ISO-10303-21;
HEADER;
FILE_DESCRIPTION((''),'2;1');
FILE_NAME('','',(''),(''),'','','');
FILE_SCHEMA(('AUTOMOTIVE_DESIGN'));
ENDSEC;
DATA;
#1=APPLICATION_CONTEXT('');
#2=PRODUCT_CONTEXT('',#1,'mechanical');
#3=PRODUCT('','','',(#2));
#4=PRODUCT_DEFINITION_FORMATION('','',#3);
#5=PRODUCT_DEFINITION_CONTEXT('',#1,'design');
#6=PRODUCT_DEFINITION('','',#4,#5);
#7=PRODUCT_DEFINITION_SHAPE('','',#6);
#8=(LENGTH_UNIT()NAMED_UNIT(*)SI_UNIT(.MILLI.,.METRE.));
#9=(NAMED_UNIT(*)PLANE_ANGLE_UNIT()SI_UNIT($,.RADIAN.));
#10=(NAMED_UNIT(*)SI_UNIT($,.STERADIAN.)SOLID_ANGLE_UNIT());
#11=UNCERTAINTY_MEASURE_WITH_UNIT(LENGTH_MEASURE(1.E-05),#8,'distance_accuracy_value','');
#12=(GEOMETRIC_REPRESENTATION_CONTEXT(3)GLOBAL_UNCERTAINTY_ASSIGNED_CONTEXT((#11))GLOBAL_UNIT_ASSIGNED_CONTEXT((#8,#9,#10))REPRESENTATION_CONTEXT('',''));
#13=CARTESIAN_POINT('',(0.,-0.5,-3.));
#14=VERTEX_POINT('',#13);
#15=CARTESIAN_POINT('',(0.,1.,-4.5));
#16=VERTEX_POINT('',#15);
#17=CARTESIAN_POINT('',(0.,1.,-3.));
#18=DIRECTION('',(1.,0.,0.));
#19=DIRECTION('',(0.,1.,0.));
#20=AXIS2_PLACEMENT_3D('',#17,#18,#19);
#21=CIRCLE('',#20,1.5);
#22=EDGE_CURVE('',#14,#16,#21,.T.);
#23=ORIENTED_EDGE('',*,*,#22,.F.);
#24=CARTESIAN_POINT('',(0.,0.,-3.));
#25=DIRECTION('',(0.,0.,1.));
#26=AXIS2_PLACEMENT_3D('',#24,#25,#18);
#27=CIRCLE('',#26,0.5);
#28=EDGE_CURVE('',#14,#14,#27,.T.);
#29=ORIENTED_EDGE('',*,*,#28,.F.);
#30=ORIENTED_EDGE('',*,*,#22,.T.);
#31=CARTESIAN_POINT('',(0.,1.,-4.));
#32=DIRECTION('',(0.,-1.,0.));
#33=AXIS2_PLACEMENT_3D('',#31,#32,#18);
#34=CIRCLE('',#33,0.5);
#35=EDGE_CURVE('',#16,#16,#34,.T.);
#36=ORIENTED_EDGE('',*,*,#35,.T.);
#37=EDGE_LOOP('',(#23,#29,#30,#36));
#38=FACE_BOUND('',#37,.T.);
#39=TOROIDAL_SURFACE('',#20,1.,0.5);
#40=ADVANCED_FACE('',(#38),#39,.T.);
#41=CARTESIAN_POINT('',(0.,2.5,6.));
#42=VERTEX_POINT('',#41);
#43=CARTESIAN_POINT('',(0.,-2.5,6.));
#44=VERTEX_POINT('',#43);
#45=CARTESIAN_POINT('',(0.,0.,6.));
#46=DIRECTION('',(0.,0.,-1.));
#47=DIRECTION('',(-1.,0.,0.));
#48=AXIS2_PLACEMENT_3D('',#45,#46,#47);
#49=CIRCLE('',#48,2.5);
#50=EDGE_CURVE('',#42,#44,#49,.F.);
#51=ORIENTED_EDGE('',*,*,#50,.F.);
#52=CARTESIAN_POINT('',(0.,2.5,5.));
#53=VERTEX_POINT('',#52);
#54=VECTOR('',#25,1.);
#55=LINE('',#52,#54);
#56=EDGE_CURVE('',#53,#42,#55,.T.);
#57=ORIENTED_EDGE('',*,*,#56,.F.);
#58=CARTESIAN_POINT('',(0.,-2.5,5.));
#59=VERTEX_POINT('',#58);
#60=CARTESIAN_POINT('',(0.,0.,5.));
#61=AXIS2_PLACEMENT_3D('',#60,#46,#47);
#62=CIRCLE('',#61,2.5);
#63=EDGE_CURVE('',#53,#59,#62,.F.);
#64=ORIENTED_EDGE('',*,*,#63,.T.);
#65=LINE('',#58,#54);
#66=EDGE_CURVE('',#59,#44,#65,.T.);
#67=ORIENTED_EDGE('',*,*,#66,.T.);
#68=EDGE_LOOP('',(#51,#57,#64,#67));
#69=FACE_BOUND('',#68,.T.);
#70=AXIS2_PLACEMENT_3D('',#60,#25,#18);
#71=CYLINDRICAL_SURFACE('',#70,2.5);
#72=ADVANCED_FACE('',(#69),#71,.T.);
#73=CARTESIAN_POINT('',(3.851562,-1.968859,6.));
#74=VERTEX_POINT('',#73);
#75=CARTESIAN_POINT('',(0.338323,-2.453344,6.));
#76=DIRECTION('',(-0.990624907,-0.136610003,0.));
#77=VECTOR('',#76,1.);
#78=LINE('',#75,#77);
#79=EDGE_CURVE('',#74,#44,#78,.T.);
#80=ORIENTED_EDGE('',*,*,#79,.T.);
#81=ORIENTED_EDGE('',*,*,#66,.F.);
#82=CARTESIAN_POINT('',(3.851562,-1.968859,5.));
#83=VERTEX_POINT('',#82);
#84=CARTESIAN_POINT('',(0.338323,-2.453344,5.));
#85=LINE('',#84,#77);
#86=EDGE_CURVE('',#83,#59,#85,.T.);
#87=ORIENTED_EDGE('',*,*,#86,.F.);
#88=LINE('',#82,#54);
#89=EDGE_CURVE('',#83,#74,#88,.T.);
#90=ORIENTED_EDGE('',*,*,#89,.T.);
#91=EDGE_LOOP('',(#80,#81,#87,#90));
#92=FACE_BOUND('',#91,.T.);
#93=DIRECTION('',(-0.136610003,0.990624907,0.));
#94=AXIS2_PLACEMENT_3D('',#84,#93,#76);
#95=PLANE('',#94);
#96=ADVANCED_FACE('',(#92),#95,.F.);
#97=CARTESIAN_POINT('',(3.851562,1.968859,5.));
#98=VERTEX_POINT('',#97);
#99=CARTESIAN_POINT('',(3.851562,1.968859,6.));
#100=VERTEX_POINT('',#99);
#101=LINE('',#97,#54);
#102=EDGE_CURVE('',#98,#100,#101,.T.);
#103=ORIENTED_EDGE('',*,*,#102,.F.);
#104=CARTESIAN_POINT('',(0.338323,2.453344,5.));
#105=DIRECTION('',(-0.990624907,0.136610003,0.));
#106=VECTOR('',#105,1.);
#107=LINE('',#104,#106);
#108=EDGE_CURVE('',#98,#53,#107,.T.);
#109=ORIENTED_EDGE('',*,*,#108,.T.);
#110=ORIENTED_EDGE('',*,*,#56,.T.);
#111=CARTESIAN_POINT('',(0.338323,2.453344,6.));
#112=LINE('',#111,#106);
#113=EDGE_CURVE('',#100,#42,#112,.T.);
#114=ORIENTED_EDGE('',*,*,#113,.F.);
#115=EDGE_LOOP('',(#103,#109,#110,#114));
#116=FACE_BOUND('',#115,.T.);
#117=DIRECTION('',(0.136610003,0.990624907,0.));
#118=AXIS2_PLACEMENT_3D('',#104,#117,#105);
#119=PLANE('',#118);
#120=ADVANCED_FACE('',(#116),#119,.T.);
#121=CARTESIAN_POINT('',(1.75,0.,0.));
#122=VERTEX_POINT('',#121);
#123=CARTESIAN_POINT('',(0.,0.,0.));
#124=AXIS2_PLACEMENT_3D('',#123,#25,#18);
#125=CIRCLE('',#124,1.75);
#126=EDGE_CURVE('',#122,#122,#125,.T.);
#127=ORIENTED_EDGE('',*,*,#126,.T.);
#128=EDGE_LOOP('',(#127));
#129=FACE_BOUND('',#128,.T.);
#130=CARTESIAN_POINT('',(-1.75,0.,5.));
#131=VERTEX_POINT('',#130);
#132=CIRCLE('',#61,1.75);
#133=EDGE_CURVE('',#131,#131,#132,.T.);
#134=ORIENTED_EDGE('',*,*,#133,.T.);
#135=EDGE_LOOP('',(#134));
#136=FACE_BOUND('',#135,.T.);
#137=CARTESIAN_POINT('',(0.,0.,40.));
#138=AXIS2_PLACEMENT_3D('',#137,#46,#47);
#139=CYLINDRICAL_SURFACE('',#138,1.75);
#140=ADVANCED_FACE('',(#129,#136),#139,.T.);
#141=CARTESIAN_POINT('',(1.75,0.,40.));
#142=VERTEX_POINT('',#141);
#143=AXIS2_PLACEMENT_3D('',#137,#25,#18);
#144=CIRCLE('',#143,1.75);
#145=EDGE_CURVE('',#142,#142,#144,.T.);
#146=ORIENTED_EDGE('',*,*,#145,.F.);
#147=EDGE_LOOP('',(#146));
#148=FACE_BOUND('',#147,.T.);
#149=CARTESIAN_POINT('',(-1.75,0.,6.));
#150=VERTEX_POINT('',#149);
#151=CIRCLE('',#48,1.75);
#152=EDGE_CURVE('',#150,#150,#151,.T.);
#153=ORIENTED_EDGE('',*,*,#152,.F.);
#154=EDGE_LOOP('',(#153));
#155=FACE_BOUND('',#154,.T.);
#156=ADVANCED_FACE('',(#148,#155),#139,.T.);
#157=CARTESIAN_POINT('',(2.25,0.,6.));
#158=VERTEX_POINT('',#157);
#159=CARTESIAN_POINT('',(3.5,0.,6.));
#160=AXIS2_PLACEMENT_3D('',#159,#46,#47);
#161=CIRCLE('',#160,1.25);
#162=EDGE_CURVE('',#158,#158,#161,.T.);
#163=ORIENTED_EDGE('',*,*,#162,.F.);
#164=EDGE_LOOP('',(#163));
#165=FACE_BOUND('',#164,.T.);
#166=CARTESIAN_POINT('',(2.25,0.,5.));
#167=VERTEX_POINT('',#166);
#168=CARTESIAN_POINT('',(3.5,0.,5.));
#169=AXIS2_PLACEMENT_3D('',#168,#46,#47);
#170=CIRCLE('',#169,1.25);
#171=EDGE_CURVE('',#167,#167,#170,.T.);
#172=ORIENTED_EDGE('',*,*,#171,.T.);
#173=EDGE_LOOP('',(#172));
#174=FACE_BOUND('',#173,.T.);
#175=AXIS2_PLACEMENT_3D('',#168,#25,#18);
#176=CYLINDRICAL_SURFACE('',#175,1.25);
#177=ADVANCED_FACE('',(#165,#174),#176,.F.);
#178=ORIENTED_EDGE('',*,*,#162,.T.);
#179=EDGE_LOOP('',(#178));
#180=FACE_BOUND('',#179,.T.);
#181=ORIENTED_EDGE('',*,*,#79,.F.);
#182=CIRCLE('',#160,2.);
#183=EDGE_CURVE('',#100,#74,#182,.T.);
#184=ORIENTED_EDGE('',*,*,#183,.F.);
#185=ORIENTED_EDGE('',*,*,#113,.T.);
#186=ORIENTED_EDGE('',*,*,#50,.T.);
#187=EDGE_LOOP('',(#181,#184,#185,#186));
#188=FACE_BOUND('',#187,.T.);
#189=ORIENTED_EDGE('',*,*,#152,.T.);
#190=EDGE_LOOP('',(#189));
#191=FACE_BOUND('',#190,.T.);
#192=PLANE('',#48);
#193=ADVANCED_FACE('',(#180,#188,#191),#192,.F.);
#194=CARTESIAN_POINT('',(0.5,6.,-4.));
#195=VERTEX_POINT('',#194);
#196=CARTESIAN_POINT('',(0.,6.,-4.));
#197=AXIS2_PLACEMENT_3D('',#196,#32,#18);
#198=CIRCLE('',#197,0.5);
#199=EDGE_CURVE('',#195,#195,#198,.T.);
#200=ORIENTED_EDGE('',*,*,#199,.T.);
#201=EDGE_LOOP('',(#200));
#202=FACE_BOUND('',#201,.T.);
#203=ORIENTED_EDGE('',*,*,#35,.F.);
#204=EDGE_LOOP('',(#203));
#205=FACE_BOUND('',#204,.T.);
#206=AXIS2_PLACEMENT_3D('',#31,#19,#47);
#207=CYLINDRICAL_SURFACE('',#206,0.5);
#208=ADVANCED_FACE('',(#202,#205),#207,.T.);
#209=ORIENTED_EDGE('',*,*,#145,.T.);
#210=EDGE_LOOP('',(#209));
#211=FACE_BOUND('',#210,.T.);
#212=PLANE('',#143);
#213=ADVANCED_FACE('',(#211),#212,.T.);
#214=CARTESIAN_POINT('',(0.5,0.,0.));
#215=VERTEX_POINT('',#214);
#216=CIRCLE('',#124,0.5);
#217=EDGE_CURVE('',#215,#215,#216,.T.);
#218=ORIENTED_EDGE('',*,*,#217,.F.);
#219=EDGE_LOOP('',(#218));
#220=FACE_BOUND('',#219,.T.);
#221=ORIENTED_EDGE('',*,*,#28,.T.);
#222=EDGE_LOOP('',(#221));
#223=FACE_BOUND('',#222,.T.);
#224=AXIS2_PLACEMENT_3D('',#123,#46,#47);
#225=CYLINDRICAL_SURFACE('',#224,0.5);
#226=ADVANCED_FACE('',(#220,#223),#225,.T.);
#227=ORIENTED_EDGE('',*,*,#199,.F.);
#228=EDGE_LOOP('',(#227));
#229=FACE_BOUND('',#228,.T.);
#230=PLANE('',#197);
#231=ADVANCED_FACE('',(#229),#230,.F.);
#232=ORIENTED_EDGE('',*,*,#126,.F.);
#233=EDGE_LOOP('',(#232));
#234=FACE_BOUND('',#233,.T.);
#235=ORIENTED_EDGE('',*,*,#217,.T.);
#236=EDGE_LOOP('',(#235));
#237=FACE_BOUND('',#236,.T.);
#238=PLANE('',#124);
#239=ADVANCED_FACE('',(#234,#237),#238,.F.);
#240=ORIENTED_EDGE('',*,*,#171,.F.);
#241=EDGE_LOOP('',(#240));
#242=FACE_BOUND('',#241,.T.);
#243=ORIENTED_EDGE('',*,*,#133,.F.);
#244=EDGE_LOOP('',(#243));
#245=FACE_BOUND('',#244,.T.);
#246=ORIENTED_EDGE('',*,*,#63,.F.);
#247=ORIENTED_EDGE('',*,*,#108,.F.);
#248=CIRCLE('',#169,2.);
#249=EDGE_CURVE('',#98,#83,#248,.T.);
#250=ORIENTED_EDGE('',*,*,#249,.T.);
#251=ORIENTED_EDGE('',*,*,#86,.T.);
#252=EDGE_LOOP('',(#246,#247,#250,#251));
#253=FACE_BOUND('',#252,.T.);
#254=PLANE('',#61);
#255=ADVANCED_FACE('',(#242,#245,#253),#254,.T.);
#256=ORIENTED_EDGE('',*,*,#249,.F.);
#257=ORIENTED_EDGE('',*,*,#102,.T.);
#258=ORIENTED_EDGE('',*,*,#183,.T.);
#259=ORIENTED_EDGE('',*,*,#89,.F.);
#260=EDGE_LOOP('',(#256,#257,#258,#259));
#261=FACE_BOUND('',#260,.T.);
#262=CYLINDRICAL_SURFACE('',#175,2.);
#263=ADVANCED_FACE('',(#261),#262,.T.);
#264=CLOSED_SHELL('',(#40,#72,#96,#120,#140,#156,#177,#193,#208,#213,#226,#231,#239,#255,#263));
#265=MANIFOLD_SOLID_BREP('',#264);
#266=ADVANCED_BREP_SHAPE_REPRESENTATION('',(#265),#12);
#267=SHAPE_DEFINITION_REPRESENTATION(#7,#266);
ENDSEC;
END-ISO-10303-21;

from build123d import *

# Parameters (mm, degrees)
SKETCH1_R           = 1.75
BOSS_EXTRUDE1_DEPTH = 40
SKETCH16_R          = 1.25
BOSS_EXTRUDE2_DEPTH = 1
SWEEP1_PROFILE_R    = 0.5


with BuildPart() as part:
    # Sketch1 → Boss-Extrude1 (new body)
    with BuildSketch(Plane.XY):
        Circle(SKETCH1_R)
    extrude(amount=BOSS_EXTRUDE1_DEPTH)

    # Sketch16 → Boss-Extrude2 (add)
    with BuildSketch(Plane(origin=(0, 0, 6), x_dir=(-1, 0, 0), z_dir=(0, 0, -1))):
        with BuildLine():
            Line((-3.851561771, 1.968858634), (0, 2.5))
            ThreePointArc((0, 2.5), (2.5, 0), (0, -2.5))
            Line((0, -2.5), (-3.851561771, -1.968858634))
            ThreePointArc((-3.851561771, -1.968858634), (-5.5, 0), (-3.851561771, 1.968858634))
        make_face()
        with Locations((-3.5, 0)):
            Circle(SKETCH16_R, mode=Mode.SUBTRACT)
    extrude(amount=BOSS_EXTRUDE2_DEPTH)

    # Sweep1: sweep along a curve in space
    with BuildLine() as sweep1_path:
        Line((0, 0, 0), (0, 0, -3))
        ThreePointArc((0, 0, -3), (0, 0.292893219, -3.707106781), (0, 1, -4))
        Line((0, 1, -4), (0, 6, -4))
    # Sweep1 profile (on start of the path) → Sweep1 (sweep)
    with BuildSketch(Plane(origin=(0, 0, 0), x_dir=(-1, 0, 0), z_dir=(0, 0, -1))):
        Circle(SWEEP1_PROFILE_R)
    sweep(path=sweep1_path.line)


solid = part.part
